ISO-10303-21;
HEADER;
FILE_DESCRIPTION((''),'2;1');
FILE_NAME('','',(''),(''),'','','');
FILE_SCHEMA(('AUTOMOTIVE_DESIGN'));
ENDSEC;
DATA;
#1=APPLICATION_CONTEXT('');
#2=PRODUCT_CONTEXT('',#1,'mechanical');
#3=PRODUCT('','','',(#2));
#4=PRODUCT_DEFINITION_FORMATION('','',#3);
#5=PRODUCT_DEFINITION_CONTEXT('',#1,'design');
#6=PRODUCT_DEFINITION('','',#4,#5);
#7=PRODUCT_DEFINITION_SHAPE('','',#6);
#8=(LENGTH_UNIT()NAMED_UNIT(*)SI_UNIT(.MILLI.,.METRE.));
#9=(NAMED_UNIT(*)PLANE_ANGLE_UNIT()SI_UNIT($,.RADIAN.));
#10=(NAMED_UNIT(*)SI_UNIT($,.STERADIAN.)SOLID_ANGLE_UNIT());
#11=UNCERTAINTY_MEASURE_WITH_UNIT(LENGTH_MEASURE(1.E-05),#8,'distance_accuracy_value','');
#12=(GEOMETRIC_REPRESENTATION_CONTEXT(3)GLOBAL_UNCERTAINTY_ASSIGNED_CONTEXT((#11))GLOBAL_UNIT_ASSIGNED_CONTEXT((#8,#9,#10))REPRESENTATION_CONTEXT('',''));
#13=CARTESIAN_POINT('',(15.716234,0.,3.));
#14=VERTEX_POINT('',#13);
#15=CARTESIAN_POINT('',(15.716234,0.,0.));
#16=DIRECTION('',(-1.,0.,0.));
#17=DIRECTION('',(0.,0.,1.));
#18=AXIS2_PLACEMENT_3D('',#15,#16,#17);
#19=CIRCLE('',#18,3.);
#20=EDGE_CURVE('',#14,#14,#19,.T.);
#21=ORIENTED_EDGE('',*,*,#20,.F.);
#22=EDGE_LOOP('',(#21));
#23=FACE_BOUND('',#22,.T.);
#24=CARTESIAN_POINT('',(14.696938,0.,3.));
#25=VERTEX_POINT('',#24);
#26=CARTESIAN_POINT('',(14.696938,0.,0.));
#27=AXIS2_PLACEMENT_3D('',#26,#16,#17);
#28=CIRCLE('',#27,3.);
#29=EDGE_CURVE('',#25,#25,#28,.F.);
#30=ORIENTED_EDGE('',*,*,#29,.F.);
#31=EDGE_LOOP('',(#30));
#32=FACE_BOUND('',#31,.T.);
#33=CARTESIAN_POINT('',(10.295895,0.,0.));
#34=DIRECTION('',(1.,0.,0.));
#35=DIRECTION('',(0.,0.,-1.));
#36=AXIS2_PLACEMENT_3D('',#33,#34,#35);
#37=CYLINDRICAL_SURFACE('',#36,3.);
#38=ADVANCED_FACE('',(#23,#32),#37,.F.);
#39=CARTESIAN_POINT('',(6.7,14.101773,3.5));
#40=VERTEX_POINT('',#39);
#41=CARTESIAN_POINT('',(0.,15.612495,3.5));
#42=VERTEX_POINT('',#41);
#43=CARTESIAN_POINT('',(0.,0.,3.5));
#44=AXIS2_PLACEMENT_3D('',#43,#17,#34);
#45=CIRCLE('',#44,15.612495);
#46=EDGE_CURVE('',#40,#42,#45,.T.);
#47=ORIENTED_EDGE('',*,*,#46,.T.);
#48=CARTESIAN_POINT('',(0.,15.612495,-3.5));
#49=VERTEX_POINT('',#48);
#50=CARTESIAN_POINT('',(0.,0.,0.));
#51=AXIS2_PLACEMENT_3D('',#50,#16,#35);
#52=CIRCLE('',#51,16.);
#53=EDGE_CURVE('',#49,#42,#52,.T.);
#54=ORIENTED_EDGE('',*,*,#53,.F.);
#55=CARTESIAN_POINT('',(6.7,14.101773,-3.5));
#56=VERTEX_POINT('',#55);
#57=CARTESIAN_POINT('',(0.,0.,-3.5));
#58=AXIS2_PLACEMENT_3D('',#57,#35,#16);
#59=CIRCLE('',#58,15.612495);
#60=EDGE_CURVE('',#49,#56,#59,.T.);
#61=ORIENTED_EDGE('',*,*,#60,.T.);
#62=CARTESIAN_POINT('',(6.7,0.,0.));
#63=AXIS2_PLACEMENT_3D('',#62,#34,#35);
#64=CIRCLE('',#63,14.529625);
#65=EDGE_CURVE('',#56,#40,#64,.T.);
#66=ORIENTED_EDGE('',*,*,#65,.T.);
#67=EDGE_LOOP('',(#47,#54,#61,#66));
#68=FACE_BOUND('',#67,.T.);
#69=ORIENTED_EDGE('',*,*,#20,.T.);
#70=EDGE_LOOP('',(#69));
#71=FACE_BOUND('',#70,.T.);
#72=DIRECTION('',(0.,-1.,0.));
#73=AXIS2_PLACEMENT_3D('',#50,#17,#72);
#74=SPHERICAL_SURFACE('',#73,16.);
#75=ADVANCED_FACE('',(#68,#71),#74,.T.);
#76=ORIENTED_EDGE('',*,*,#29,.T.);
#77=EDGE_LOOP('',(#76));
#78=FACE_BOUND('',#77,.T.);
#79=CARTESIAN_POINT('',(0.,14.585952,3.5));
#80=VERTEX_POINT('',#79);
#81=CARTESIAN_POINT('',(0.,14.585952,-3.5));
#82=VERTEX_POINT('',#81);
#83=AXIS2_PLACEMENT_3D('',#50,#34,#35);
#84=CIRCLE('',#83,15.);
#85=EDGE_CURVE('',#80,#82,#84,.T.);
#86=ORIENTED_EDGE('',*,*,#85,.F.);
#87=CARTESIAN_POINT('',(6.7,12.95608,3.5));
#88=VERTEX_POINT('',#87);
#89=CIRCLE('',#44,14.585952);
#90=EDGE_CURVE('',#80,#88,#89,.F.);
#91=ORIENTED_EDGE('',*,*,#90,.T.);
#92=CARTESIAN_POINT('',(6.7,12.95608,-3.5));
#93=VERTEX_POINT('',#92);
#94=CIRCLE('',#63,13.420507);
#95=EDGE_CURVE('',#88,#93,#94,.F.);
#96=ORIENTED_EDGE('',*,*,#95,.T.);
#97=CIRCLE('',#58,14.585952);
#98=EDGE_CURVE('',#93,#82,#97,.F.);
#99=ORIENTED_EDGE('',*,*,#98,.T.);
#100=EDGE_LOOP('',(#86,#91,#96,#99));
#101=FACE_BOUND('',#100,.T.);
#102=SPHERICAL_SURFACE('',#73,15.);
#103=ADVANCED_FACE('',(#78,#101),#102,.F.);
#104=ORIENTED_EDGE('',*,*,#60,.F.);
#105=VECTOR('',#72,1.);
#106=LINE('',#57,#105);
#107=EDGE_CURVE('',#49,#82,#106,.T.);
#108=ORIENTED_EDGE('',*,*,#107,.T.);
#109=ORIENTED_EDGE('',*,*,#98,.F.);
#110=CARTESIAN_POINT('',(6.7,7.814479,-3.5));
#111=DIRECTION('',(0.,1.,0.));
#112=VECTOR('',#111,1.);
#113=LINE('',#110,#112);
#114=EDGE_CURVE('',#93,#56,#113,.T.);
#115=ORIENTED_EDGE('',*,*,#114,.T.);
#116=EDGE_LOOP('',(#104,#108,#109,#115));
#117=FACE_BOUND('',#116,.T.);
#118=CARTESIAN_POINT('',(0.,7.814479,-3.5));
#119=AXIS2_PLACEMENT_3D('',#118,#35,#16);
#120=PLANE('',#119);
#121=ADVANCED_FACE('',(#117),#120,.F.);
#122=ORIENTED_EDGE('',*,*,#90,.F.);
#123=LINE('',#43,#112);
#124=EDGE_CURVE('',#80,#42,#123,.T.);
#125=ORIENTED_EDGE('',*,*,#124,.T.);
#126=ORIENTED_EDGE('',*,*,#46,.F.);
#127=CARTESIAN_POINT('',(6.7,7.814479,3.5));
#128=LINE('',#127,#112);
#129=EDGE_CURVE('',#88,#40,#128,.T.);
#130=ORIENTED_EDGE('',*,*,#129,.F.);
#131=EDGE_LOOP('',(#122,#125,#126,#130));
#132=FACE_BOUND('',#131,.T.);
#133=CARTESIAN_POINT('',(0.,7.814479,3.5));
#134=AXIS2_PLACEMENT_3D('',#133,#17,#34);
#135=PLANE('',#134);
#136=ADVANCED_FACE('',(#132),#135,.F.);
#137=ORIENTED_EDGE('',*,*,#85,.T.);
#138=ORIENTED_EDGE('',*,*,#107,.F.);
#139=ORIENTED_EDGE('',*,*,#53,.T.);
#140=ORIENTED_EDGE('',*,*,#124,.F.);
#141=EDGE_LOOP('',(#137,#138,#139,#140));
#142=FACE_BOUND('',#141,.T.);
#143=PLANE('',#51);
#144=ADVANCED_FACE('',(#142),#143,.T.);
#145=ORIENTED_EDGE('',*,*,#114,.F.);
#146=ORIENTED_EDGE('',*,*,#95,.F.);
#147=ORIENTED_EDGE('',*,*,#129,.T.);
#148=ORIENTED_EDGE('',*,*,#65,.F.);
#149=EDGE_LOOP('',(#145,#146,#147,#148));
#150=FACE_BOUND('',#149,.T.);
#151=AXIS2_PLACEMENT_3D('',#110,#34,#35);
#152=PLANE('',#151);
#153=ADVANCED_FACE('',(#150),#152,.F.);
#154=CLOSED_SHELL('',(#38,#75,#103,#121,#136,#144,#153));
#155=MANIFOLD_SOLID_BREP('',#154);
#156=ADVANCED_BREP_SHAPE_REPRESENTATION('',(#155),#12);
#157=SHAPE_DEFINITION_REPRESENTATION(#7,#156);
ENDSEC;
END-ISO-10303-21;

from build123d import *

# Parameters (mm, degrees)
REVOLVE_2_ANGLE     = 180
SKETCH_3_R          = 3
CUT_EXTRUDE_1_DEPTH = 10
SKETCH_4_W          = 6.7
SKETCH_4_H          = 7
CUT_EXTRUDE_2_DEPTH = 20


with BuildPart() as part:
    # 草图1 → 旋转2 (revolve)
    with BuildSketch(Plane(origin=(0, 0, 0), x_dir=(0, 0, -1), z_dir=(1, 0, 0))):
        with BuildLine():
            Line((-16, 0), (-15, 0))
            ThreePointArc((-15, 0), (0, 15), (15, 0))
            Line((15, 0), (16, 0))
            ThreePointArc((16, 0), (0, 16), (-16, 0))
        make_face()
    revolve(axis=Axis((0, 0, -15), (0, 0, -1)), revolution_arc=REVOLVE_2_ANGLE)

    # 草图3 → 切除-拉伸1 (cut)
    with BuildSketch(Plane(origin=(20.295894922, 0, 0), x_dir=(0, 0, -1), z_dir=(1, 0, 0))):
        with Locations(Location((0, 0, 0), (0, 0, 180))):
            Circle(SKETCH_3_R)
    extrude(amount=-CUT_EXTRUDE_1_DEPTH, mode=Mode.SUBTRACT)

    # 草图4 → 切除-拉伸2 (cut)
    with BuildSketch(Plane(origin=(0, 27.814479009, 0), x_dir=(1, 0, 0), z_dir=(0, 1, 0))):
        with Locations((3.35, 0)):
            Rectangle(SKETCH_4_W, SKETCH_4_H)
    extrude(amount=-CUT_EXTRUDE_2_DEPTH, mode=Mode.SUBTRACT)


solid = part.part
